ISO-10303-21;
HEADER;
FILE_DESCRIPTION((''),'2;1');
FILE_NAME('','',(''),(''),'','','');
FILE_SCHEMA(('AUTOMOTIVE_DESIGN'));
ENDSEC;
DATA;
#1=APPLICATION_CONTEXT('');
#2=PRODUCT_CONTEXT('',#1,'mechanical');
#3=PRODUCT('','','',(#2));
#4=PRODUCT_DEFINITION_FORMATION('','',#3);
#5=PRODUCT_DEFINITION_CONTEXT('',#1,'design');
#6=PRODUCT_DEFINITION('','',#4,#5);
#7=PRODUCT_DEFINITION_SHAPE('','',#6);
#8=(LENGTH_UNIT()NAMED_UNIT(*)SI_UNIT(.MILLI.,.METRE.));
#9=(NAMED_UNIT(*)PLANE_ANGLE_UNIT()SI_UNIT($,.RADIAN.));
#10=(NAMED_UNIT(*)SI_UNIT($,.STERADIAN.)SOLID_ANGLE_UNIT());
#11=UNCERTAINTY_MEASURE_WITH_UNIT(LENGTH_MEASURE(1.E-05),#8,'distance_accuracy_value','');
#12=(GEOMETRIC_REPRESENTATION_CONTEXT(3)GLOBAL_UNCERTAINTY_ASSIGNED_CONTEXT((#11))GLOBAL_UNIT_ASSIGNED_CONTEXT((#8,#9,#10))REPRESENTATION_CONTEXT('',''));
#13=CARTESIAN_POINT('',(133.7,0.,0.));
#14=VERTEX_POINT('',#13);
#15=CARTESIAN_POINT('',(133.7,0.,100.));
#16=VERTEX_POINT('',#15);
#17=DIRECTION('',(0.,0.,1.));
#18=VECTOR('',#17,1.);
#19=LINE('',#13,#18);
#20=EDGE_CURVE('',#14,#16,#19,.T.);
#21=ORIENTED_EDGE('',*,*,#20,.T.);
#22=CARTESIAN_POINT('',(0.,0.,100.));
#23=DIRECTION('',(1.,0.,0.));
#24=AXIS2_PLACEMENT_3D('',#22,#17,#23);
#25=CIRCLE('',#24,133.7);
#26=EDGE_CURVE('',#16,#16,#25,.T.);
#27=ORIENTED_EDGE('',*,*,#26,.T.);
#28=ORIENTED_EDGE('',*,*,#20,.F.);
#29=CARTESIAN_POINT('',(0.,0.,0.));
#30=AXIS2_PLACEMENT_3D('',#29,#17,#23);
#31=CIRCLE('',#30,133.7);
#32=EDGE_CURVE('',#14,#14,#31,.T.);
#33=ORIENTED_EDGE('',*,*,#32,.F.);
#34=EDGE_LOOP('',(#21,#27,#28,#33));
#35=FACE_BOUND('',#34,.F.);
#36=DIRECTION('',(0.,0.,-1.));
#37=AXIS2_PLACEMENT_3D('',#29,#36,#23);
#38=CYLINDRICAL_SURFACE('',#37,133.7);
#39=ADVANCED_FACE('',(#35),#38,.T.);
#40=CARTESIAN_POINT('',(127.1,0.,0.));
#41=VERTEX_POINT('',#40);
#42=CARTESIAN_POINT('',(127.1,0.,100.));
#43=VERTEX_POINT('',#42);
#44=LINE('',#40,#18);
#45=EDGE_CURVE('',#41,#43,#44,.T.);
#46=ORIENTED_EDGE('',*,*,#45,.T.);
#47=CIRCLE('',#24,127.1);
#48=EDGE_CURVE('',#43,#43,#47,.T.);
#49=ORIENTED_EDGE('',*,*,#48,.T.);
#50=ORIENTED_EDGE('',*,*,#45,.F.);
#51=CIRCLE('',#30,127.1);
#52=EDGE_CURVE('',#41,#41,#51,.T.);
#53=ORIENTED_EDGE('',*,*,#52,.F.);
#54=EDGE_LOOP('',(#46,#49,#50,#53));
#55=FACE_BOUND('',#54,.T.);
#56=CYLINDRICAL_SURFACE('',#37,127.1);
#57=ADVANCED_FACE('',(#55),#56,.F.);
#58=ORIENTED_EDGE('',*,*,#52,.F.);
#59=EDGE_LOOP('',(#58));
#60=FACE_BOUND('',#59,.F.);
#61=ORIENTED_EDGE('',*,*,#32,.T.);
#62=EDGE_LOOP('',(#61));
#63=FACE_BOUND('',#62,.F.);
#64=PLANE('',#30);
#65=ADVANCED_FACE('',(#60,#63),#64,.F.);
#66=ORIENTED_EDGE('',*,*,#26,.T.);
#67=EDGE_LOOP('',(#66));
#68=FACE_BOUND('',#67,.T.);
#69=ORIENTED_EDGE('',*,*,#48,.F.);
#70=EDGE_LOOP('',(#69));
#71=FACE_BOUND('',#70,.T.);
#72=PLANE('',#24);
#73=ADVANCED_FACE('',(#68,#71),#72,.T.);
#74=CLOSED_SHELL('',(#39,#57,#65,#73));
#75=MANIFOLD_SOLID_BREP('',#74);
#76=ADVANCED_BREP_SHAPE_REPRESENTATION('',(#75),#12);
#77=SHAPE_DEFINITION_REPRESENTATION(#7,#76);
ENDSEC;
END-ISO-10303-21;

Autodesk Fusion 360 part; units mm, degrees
sketch "スケッチ1" plane through (0, 0, 0) normal (0, 0, 1) x (1, 0, 0)
  circle A0 centre (0, 0) radius 133.7
  circle A1 centre (0, 0) radius 127.1
  dimension "d1" = 267.4
  dimension "d2" = -6.6
extrude "押し出し1" add sketch "スケッチ1" along normal blind 100
